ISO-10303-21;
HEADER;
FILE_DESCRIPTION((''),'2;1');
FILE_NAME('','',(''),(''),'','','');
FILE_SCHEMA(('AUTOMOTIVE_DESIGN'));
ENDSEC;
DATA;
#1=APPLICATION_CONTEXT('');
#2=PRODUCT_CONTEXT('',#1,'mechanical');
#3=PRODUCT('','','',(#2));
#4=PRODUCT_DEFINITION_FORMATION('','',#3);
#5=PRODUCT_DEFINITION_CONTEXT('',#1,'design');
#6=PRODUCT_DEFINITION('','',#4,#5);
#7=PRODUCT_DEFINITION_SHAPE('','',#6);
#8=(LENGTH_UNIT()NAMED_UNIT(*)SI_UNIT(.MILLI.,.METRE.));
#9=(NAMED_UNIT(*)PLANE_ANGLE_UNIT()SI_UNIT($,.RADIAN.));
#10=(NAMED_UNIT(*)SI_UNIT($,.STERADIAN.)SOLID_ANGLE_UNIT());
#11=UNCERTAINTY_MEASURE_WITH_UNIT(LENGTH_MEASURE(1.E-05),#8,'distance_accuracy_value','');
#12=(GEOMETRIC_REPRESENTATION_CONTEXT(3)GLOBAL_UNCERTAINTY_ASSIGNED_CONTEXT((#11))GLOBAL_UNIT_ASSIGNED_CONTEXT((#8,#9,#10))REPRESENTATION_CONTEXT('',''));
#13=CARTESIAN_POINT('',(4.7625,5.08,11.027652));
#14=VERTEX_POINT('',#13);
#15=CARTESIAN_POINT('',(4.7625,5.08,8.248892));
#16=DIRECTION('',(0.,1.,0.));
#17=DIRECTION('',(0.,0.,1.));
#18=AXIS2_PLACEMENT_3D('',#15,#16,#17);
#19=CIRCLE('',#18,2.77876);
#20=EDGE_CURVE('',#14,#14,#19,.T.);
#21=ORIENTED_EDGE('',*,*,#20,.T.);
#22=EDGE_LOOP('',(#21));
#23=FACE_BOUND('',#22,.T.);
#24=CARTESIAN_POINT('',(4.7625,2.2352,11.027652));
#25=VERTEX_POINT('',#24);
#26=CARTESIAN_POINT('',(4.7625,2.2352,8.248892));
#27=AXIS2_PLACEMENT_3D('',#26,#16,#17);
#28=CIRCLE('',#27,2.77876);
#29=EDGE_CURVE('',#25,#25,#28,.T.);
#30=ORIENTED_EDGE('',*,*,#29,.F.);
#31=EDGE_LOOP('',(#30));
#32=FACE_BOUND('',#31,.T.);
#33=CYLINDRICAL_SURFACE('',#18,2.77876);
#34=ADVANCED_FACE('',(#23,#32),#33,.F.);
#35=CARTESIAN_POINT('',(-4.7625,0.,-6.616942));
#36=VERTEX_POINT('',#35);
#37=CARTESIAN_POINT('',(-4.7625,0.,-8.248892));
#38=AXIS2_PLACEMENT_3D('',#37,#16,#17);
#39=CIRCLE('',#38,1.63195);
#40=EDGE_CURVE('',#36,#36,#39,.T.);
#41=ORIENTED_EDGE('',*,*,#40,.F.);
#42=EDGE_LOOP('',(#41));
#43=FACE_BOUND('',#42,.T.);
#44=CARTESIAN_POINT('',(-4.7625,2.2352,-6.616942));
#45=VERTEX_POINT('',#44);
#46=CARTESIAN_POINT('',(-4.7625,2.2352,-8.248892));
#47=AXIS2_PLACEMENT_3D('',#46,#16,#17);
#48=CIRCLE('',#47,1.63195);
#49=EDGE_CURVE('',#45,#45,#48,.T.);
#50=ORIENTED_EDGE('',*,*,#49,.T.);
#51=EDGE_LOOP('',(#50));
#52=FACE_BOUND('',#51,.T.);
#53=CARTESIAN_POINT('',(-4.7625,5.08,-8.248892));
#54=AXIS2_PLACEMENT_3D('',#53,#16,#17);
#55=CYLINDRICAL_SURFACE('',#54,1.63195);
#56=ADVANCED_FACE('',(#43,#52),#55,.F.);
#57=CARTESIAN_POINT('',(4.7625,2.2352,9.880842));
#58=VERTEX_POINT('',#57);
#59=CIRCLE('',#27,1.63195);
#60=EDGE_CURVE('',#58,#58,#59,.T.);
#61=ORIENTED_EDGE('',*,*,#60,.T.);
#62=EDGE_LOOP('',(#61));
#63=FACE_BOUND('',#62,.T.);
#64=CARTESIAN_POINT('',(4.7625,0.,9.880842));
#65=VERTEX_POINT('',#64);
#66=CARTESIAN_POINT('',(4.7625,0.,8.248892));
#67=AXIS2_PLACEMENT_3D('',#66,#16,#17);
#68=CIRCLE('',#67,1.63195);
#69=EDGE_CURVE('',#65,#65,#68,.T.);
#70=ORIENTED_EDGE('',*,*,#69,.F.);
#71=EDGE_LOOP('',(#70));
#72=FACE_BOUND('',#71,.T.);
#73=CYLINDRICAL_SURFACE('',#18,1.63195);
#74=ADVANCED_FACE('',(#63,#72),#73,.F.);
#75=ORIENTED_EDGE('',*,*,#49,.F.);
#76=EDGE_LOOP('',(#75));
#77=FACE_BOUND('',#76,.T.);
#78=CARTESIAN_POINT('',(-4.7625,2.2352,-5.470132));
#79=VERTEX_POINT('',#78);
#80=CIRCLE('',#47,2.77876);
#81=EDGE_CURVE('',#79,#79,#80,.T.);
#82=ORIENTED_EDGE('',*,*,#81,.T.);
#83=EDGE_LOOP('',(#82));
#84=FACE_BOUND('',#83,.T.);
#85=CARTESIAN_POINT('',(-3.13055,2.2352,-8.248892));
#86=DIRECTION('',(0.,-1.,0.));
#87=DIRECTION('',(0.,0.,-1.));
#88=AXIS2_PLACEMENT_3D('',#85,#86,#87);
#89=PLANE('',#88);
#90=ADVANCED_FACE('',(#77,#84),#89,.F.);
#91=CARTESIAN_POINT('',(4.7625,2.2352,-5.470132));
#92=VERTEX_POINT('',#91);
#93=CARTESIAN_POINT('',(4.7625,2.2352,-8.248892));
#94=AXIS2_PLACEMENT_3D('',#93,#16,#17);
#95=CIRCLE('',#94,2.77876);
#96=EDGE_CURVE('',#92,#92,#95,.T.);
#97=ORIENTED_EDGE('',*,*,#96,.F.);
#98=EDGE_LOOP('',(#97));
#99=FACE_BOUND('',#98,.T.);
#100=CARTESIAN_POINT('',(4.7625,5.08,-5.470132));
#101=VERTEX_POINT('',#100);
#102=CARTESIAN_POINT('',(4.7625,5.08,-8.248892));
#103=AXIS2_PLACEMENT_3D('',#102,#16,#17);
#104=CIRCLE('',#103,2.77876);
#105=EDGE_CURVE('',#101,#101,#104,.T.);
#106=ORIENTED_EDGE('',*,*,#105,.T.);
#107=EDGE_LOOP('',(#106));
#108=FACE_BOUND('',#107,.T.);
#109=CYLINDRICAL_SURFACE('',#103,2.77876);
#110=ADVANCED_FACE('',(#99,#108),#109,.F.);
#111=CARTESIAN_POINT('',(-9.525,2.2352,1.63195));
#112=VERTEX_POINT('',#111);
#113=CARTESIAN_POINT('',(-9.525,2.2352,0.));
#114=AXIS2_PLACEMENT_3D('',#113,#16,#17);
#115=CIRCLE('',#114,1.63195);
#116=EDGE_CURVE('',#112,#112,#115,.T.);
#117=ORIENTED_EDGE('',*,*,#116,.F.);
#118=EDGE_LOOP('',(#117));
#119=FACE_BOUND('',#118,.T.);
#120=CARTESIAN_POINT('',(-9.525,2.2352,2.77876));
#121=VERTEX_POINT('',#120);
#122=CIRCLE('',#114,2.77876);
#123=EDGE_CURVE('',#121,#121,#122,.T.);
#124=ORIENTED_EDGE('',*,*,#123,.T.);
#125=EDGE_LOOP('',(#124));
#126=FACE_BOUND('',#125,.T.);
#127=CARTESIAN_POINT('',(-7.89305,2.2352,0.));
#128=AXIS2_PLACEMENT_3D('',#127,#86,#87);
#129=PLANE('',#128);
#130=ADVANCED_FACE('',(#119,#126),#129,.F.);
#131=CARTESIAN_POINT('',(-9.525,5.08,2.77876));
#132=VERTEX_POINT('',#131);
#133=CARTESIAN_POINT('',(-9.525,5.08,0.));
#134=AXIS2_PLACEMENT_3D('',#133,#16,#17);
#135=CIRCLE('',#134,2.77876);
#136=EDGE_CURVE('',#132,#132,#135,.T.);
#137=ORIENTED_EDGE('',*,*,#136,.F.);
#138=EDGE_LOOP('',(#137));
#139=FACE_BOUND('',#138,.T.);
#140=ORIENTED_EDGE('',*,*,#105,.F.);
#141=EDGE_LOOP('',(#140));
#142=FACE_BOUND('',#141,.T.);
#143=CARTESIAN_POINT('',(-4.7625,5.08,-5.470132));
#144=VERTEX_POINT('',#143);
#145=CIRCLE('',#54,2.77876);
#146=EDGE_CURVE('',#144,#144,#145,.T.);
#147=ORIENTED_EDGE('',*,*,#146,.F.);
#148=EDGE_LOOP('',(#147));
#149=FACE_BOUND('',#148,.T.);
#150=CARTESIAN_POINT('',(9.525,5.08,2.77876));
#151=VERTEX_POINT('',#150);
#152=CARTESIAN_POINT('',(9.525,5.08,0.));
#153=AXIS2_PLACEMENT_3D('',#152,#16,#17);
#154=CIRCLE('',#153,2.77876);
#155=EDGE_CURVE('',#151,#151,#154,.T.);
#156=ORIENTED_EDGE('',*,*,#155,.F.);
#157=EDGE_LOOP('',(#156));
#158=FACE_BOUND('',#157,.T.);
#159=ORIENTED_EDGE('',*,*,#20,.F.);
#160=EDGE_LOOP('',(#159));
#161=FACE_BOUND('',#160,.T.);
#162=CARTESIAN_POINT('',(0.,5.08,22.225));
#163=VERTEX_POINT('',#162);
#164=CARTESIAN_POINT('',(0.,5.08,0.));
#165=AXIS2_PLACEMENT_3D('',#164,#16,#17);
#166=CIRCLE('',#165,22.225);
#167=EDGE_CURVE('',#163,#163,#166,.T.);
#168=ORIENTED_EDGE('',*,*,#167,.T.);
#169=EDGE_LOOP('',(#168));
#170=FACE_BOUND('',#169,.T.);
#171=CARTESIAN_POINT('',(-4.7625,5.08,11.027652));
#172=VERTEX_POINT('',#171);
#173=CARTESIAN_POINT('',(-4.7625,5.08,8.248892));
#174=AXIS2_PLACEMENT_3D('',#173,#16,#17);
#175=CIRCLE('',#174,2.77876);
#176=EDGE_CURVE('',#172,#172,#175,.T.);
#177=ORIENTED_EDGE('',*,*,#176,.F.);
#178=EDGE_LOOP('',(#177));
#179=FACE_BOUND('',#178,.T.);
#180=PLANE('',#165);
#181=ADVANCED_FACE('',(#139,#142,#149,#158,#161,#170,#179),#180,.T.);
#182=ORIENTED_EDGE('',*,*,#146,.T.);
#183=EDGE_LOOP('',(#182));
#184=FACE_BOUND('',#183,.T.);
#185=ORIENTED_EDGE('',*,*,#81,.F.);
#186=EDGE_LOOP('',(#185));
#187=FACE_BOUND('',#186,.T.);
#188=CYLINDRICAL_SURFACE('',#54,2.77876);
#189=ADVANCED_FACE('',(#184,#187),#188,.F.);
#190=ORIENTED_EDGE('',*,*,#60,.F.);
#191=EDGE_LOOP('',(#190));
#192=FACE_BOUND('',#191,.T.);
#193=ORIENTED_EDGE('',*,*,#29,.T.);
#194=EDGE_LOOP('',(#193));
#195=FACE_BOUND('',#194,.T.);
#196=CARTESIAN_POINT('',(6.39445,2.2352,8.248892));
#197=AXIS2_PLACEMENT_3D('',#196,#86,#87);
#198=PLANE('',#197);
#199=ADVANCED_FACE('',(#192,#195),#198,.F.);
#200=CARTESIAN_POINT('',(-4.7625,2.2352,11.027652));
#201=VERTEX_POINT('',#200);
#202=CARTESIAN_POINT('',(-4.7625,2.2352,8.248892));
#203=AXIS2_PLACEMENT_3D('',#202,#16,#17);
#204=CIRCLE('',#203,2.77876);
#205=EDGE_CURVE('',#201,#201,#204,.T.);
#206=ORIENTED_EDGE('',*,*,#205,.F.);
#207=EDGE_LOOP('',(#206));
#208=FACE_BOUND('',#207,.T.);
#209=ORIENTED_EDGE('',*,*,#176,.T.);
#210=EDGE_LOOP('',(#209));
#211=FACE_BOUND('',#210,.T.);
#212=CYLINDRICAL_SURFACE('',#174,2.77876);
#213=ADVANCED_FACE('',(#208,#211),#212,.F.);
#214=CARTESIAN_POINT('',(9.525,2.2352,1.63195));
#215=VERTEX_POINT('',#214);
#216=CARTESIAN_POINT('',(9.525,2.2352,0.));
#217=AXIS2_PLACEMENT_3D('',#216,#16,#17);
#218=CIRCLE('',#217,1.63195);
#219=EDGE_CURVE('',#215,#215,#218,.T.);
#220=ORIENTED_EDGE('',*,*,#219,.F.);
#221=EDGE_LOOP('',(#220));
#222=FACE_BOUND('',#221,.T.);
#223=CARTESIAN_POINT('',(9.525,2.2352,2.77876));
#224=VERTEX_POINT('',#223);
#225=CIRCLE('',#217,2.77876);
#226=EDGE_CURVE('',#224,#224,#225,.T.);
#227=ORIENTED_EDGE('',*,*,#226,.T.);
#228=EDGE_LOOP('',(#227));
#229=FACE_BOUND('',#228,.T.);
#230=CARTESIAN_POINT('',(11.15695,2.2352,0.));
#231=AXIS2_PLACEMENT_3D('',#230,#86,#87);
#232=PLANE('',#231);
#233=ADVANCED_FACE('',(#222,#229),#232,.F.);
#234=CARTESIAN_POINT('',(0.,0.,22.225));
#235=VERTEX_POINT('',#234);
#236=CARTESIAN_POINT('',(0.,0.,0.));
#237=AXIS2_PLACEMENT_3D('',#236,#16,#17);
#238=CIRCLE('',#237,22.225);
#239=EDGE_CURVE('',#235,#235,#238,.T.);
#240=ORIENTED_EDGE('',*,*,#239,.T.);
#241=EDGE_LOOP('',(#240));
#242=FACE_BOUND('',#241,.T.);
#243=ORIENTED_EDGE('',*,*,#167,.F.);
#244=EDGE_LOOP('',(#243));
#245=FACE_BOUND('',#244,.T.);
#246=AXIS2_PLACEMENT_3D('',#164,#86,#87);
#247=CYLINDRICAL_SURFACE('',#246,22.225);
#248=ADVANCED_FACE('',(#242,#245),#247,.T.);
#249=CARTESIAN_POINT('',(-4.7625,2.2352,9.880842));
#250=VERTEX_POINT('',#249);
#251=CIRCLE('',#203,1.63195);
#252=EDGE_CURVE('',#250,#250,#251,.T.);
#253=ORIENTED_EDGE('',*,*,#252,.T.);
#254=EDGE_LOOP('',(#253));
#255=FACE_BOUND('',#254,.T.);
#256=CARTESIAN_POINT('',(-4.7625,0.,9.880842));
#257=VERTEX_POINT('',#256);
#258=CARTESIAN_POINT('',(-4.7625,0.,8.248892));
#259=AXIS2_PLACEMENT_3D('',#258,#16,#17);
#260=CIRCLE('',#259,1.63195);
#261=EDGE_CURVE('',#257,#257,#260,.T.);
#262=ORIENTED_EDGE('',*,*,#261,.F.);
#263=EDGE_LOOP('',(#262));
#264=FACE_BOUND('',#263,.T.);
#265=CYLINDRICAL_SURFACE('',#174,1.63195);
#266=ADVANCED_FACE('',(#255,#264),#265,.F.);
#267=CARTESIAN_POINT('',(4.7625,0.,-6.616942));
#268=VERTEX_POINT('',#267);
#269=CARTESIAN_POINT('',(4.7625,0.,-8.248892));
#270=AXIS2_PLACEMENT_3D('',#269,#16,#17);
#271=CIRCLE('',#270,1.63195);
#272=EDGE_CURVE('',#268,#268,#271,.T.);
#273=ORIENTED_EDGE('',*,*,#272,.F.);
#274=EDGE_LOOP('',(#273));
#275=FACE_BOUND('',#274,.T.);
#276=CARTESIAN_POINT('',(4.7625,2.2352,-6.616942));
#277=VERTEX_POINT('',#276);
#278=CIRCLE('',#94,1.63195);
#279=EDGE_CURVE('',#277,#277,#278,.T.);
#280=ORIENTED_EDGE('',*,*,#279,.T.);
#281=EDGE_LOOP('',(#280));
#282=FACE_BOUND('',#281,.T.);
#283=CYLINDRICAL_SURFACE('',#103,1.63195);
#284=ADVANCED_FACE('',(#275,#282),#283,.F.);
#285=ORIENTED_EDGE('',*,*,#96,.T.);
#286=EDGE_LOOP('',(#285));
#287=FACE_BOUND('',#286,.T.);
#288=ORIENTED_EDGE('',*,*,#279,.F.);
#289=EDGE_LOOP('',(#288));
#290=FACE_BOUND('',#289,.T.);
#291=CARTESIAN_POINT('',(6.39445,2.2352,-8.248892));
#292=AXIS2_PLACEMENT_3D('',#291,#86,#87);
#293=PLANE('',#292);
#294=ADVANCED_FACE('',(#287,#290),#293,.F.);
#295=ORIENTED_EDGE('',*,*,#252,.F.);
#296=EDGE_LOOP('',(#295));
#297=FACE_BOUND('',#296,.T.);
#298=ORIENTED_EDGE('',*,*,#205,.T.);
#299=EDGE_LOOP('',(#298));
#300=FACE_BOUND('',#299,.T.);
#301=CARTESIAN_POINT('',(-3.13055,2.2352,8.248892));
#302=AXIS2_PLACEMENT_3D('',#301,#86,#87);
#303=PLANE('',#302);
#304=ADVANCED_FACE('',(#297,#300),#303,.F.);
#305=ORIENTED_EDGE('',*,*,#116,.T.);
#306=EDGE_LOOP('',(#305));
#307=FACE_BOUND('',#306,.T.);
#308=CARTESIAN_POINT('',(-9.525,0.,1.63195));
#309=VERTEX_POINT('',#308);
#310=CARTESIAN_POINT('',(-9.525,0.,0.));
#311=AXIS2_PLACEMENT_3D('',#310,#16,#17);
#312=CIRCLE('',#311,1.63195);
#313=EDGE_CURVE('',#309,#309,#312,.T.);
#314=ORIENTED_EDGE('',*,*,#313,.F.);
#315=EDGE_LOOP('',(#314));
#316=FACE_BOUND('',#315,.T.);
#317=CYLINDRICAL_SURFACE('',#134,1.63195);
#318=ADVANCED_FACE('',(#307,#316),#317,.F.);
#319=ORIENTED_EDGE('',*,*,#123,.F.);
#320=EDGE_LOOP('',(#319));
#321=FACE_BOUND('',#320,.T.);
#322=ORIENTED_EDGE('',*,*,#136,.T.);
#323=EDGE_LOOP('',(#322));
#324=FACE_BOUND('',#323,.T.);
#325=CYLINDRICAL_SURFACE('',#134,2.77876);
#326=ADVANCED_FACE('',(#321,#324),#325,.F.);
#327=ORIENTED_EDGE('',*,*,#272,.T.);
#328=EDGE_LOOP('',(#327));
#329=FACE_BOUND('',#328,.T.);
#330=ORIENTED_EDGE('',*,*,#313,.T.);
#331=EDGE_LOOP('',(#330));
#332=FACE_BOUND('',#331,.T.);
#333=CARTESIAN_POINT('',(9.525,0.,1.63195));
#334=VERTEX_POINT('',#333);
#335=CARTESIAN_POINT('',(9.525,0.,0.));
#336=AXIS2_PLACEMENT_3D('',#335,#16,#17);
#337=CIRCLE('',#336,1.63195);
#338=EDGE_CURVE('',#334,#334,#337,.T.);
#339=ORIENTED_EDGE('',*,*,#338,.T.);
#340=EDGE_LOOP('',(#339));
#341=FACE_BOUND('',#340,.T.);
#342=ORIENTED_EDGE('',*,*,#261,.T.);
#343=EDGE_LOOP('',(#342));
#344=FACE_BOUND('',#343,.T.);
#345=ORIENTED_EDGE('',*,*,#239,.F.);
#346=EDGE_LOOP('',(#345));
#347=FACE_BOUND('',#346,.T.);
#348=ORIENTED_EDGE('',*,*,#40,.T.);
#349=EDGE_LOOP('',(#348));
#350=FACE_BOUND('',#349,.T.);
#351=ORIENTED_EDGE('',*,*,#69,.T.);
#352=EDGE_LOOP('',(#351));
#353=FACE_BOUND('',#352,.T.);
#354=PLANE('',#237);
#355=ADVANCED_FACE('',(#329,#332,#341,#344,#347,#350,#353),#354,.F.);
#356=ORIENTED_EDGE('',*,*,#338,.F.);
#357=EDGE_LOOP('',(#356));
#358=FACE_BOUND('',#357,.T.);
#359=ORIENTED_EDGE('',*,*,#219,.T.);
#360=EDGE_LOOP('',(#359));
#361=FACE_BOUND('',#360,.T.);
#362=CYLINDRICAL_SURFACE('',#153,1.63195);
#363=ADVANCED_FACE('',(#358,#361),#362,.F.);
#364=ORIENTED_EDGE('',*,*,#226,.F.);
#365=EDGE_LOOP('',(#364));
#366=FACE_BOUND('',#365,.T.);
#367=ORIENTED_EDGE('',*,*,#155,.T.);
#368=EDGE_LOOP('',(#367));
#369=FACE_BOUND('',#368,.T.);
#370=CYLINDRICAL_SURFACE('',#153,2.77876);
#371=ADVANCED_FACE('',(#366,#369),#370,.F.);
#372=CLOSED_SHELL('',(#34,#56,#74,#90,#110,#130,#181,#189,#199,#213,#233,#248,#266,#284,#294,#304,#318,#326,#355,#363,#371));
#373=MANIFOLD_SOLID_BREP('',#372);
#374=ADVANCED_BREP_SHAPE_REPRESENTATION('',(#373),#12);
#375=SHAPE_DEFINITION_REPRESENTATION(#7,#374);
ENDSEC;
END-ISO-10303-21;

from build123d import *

# Parameters (mm, degrees)
SKETCH1_R                                      = 22.225
BOSS_EXTRUDE1_DEPTH                            = 5.08
CBORE_FOR_4_SOCKET_HEAD_CAP_SCREW1_D           = 3.2639
CBORE_FOR_4_SOCKET_HEAD_CAP_SCREW1_CBORE_D     = 5.55752
CBORE_FOR_4_SOCKET_HEAD_CAP_SCREW1_CBORE_DEPTH = 2.8448


with BuildPart() as part:
    # Sketch1 → Boss-Extrude1 (new body)
    with BuildSketch(Plane(origin=(0, 0, 0), x_dir=(1, 0, 0), z_dir=(0, 1, 0))):
        with Locations(Location((0, 0, 0), (0, 0, 270))):
            Circle(SKETCH1_R)
    extrude(amount=BOSS_EXTRUDE1_DEPTH)

    # CBORE for #4 Socket Head Cap Screw1 (through all)
    with Locations(Plane(origin=(0, 5.08, 0), x_dir=(1, 0, 0), z_dir=(0, 1, 0))):
        with Locations((-9.525, 0), (-4.7625, 8.248891971), (4.7625, 8.248891971), (9.525, 0), (4.7625, -8.248891971), (-4.7625, -8.248891971)):
            CounterBoreHole(CBORE_FOR_4_SOCKET_HEAD_CAP_SCREW1_D / 2, CBORE_FOR_4_SOCKET_HEAD_CAP_SCREW1_CBORE_D / 2, CBORE_FOR_4_SOCKET_HEAD_CAP_SCREW1_CBORE_DEPTH)


solid = part.part
